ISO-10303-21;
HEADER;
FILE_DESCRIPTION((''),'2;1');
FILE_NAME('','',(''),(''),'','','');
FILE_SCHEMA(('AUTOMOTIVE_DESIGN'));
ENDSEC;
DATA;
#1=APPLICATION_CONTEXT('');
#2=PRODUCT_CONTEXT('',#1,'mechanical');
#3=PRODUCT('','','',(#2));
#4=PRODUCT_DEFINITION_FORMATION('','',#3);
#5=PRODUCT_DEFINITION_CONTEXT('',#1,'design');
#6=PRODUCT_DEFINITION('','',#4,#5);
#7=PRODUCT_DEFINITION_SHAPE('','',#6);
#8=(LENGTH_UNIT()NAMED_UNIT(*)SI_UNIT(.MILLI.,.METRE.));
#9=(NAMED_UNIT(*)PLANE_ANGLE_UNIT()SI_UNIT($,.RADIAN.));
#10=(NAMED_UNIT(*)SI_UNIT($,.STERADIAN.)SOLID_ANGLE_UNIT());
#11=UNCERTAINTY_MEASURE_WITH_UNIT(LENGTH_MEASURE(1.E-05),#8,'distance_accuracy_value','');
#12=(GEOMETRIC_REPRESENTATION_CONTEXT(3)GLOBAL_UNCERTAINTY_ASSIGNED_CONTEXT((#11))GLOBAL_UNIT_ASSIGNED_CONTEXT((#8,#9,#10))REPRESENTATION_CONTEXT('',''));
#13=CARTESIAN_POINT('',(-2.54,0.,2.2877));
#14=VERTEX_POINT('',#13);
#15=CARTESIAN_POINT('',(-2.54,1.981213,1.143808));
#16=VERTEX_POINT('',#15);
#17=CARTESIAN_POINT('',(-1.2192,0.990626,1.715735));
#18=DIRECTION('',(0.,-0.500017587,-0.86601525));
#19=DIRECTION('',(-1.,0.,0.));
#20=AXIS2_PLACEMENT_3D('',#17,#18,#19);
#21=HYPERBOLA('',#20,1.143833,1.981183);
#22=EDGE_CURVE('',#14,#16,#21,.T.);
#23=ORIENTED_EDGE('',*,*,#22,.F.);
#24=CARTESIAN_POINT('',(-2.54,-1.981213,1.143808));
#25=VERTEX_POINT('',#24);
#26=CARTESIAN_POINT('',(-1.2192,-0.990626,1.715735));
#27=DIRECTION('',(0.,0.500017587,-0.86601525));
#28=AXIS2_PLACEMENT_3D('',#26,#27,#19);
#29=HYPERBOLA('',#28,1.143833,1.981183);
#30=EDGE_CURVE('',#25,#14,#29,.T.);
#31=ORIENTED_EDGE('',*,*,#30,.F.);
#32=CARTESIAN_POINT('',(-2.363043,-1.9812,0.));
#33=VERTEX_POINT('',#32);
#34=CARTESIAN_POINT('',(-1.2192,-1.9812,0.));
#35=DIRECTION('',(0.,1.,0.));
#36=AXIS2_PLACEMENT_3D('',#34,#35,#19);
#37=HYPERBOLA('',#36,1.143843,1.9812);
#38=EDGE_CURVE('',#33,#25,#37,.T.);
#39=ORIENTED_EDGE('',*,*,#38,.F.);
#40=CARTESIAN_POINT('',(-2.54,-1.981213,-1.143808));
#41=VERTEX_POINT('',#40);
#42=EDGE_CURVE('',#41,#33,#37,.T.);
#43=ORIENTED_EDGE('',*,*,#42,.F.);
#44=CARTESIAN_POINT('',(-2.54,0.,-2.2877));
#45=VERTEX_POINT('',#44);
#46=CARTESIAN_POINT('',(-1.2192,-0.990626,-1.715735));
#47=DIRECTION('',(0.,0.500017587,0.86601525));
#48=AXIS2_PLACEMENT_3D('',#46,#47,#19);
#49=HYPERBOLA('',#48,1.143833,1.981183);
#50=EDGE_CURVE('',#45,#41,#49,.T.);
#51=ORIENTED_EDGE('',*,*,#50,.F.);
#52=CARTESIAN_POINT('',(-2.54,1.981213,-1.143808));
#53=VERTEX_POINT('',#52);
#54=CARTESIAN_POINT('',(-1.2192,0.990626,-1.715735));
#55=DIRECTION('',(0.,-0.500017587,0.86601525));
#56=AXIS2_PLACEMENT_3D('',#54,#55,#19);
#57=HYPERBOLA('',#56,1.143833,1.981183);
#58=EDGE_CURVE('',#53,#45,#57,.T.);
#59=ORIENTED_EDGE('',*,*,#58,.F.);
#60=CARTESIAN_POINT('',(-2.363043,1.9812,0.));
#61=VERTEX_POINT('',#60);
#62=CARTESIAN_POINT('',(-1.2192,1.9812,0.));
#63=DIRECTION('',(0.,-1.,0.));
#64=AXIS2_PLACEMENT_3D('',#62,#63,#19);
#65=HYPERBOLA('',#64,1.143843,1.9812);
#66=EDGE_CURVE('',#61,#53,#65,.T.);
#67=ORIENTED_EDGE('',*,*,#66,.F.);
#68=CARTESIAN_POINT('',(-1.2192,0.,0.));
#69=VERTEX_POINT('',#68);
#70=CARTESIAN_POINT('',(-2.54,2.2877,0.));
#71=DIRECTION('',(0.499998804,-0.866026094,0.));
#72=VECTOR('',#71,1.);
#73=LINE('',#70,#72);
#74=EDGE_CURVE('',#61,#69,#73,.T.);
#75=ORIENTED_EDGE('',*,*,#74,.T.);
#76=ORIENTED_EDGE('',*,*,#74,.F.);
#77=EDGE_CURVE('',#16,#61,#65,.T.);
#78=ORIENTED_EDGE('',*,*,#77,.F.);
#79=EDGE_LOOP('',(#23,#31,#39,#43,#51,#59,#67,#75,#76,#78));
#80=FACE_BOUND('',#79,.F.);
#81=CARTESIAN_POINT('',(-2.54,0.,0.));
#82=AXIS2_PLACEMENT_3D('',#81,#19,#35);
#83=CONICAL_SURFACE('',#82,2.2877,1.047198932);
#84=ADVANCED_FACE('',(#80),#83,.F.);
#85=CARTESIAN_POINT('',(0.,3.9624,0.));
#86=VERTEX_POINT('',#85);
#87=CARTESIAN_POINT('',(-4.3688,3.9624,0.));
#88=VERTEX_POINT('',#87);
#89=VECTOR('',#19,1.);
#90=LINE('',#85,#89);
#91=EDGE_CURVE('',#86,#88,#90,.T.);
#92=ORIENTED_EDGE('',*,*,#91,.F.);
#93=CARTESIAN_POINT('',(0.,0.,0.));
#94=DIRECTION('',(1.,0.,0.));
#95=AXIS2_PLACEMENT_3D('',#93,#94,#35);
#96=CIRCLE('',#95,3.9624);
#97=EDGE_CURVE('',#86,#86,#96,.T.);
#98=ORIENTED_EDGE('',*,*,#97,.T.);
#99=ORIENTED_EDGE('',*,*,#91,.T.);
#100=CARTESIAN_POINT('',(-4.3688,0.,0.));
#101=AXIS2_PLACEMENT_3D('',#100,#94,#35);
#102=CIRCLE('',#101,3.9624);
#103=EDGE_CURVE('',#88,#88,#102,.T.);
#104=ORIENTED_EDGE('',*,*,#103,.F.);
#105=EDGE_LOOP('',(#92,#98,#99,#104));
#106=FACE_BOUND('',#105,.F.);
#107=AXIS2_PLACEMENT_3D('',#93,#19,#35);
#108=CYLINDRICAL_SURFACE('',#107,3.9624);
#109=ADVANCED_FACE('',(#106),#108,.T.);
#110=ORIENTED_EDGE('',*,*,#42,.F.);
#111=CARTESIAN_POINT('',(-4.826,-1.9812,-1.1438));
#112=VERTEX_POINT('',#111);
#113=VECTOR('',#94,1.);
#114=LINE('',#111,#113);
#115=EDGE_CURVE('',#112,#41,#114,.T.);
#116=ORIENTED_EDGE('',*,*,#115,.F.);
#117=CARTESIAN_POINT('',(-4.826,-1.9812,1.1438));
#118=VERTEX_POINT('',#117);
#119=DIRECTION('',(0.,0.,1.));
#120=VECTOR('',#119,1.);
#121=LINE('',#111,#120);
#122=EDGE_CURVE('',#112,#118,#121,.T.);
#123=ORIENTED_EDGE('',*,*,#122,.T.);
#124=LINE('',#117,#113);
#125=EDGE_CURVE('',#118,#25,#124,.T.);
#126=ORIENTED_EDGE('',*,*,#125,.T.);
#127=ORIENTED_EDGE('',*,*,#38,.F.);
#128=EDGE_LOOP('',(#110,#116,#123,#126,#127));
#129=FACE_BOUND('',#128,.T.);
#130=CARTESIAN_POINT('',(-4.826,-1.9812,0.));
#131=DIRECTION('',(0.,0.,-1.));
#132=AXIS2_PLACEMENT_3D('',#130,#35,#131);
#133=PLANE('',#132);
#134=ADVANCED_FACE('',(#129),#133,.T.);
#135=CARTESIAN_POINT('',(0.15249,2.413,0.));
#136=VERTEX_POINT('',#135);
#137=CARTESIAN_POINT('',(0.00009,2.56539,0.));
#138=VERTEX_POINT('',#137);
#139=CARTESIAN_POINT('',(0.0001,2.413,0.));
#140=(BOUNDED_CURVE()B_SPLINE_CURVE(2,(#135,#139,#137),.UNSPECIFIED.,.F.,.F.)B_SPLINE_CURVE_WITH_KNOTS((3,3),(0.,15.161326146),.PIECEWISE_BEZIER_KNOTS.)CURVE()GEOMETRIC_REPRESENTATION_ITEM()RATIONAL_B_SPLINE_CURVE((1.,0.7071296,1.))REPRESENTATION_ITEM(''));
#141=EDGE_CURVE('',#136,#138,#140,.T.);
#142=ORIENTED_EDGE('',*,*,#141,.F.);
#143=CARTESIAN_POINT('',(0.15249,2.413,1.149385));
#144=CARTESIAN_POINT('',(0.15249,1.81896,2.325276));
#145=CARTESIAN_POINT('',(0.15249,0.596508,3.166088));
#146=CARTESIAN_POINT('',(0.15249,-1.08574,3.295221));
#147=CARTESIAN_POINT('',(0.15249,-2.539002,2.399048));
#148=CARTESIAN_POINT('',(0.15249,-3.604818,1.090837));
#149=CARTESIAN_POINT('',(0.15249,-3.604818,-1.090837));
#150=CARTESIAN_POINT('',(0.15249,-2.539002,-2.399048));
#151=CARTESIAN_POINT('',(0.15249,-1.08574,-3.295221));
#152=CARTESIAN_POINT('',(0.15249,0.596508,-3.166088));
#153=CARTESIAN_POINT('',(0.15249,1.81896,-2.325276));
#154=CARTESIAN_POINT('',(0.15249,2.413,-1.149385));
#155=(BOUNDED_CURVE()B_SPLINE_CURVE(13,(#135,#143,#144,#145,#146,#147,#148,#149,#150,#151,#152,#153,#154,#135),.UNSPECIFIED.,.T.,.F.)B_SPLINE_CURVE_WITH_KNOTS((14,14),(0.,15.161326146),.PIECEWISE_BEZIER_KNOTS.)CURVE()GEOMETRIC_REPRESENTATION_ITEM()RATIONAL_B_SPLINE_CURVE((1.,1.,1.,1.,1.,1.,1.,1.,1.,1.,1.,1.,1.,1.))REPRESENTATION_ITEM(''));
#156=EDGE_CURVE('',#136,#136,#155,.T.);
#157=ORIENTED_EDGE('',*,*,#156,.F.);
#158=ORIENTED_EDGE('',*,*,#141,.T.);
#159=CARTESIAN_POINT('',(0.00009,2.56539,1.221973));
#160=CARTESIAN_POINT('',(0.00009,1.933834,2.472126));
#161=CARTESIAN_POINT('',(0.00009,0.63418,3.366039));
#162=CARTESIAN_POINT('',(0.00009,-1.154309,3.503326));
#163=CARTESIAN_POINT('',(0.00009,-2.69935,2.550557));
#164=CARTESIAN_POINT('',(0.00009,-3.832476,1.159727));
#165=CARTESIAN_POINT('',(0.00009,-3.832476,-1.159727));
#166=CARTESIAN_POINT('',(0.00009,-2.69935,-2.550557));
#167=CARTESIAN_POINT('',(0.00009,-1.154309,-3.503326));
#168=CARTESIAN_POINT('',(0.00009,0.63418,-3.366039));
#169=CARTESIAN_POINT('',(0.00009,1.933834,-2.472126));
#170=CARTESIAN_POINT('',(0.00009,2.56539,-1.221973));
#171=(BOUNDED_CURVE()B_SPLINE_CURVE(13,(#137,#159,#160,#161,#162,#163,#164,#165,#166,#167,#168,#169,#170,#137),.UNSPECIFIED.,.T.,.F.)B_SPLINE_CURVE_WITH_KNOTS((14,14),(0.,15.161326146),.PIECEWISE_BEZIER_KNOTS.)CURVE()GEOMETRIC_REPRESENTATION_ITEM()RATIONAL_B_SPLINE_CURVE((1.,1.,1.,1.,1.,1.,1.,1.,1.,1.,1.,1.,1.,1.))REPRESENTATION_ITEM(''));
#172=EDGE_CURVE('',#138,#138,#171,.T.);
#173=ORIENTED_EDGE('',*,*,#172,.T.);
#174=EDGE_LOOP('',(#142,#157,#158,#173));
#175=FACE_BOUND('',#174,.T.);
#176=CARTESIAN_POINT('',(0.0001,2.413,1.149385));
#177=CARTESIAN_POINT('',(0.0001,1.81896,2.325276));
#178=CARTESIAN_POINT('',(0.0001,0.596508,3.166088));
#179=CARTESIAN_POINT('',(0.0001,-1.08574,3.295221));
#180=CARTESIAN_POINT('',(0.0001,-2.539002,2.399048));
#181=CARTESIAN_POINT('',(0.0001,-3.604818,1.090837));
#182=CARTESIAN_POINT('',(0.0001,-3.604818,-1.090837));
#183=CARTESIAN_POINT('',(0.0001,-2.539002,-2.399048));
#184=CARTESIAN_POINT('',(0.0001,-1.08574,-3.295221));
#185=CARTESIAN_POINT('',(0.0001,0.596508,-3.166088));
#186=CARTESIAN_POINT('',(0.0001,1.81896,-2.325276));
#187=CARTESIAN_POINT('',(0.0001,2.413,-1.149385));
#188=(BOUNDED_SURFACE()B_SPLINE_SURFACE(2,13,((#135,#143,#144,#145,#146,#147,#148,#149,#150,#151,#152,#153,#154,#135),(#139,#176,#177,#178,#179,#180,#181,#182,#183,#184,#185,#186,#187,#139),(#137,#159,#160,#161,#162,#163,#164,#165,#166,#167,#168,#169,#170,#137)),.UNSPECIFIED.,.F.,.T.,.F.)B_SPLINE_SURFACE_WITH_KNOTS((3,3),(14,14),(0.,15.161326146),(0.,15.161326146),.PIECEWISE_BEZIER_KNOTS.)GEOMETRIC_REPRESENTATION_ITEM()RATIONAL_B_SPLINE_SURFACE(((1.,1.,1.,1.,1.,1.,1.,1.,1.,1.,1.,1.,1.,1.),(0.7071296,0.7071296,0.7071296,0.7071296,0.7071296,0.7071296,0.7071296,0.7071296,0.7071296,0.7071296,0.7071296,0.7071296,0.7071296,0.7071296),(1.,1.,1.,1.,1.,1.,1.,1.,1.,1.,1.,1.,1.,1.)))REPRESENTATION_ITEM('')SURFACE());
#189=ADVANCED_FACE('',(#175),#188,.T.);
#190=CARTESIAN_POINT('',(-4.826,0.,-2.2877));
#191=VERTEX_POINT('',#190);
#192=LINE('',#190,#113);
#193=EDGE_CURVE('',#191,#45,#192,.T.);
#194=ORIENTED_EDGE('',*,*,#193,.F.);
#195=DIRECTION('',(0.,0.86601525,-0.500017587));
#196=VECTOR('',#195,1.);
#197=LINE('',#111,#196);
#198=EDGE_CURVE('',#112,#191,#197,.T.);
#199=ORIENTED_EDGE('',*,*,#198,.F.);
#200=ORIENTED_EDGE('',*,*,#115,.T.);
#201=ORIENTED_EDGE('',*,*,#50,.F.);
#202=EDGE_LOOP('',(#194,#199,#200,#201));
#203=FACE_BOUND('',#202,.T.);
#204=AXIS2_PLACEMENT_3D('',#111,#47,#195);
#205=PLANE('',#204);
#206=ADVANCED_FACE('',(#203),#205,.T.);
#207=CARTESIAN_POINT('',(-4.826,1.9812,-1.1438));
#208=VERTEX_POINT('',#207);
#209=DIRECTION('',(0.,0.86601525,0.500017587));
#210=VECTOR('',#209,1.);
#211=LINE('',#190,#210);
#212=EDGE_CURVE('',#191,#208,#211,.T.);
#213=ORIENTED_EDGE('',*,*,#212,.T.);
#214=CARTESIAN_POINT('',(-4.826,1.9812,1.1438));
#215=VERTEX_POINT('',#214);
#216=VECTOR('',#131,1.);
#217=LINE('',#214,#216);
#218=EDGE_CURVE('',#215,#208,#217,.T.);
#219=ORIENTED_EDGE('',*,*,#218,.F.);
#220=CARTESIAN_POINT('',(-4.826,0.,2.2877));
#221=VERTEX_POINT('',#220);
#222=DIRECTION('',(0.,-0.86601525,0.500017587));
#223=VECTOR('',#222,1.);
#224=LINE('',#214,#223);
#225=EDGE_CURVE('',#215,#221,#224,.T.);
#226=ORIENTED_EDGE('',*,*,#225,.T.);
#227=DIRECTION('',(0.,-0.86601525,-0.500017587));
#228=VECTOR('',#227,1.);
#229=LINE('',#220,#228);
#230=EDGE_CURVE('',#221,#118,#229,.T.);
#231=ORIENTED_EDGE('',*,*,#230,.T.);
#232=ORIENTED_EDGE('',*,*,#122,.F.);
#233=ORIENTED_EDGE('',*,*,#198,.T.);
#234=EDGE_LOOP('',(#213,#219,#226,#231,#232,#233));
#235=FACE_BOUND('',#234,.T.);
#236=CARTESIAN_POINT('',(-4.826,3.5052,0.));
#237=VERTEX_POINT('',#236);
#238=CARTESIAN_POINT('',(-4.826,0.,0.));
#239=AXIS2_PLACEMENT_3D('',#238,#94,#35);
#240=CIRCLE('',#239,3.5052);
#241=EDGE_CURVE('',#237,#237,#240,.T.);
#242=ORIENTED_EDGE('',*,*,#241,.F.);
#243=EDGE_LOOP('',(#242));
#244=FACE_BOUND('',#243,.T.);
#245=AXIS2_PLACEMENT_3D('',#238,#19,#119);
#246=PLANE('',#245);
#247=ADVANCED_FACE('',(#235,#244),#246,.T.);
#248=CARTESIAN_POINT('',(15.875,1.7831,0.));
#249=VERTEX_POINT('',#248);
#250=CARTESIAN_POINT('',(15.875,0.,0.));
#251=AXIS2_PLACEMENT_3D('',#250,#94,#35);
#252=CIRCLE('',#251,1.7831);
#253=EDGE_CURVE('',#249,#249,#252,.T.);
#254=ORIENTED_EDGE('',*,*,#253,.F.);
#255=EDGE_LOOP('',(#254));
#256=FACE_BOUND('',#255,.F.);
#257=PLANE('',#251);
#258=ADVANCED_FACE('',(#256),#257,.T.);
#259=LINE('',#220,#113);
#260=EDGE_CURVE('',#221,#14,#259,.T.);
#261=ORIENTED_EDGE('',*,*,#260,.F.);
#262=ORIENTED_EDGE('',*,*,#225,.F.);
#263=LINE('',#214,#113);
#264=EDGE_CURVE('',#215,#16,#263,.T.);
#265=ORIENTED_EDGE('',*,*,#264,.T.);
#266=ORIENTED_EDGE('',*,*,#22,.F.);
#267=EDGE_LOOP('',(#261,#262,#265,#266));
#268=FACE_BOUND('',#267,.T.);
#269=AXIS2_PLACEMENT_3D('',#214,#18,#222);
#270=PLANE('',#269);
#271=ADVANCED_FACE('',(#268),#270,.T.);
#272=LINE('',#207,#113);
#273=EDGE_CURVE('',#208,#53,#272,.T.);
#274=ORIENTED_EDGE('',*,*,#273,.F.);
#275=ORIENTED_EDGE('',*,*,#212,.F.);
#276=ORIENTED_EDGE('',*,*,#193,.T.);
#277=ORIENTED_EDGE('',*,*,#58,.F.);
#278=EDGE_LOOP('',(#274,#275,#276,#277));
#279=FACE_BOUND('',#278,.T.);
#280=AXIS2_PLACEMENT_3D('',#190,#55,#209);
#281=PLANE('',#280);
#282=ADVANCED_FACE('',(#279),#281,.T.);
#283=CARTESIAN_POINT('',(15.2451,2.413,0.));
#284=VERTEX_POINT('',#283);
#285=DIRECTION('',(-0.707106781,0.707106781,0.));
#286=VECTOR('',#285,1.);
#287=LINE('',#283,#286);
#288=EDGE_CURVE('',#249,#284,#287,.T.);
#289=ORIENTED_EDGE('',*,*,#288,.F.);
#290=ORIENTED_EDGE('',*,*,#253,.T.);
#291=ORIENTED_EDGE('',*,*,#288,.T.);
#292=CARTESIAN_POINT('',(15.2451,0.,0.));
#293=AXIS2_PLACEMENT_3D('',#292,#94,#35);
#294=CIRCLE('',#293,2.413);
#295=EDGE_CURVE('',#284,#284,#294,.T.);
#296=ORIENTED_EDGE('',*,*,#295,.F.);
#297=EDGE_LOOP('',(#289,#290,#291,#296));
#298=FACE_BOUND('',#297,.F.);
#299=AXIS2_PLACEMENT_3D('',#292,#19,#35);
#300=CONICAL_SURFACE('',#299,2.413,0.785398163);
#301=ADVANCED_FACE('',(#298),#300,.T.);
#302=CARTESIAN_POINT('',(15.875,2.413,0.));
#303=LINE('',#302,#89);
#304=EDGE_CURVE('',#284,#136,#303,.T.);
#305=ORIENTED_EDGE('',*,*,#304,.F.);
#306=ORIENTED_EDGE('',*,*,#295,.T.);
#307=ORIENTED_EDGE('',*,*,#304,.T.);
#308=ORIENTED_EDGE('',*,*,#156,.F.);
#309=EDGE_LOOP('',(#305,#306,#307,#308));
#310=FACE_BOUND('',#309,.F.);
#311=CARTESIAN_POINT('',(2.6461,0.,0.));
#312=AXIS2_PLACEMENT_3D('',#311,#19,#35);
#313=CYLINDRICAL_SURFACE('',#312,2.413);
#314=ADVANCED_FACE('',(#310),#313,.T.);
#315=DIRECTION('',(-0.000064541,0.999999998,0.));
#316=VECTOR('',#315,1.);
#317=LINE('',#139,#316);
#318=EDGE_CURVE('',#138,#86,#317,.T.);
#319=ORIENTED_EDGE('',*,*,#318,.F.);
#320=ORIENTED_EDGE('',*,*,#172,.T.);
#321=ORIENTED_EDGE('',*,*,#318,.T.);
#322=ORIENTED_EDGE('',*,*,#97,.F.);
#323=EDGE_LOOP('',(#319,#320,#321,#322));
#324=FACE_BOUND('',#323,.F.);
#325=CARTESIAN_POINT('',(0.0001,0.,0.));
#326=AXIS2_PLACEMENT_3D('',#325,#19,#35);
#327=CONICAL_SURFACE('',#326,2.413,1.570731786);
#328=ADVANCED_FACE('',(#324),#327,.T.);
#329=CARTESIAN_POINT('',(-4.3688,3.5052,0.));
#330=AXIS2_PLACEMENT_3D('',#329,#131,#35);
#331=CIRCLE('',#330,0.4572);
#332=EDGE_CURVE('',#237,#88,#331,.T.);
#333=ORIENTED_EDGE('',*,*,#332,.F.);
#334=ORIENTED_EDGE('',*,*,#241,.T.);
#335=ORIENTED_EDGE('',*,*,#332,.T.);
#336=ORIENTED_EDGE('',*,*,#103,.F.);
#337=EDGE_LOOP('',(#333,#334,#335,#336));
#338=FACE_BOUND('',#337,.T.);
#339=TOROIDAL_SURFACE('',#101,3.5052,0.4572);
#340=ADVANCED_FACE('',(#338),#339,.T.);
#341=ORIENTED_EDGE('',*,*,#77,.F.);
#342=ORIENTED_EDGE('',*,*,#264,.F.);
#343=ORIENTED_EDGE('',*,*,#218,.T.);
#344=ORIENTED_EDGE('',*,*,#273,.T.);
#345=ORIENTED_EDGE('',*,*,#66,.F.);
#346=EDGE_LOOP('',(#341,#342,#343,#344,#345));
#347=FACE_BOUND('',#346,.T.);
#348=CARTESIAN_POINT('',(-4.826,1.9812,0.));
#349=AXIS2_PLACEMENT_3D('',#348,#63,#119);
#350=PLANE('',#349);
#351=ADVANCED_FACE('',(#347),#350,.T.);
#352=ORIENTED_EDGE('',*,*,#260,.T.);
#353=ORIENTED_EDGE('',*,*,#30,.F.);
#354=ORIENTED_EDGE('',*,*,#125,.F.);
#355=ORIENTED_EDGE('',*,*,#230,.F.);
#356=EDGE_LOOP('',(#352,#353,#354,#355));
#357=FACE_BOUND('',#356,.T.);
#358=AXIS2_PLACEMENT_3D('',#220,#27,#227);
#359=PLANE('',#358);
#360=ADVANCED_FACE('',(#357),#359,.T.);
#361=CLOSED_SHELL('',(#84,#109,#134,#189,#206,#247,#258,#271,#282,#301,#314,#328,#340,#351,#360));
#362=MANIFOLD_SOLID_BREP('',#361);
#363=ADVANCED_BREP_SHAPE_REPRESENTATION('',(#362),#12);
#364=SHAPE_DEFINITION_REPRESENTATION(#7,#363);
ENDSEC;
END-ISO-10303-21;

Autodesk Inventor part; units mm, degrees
ref_plane "YZ Plane" through (0, 0, 0) normal (1, 0, 0) x (0, 1, 0)
ref_plane "XZ Plane" through (0, 0, 0) normal (0, 1, 0) x (-1, 0, 0)
sketch "Sketch1" plane through (0, 0, 0) normal (0, 0, 1) x (1, 0, 0)
  line L0 (-1.2192, 0) -> (15.875, 0)
  line L1 (15.875, 0) -> (15.875, 2.413)
  line L2 (15.875, 2.413) -> (2.6461, 2.413)
  line L3 (2.6461, 2.413) -> (0.0001, 2.413)
  line L4 (0.0001, 2.413) -> (0, 2.413)
  line L5 (0, 2.413) -> (0, 3.9624)
  line L6 (0, 3.9624) -> (-4.826, 3.9624)
  line L7 (-4.826, 3.9624) -> (-4.826, 2.2877)
  line L8 (-4.826, 2.2877) -> (-2.54, 2.2877)
  line L9 (-2.54, 2.2877) -> (-1.2192, 0)
  line L10 (-8.9662, 0) -> (20.0152, 0) projected
  line L11 (0, -0.7925) -> (0, 4.7549) projected
  line L12 (2.6461, 2.413) -> (0, 2.413) construction
  dimension "d1" = 13.2289
  dimension "d2" = 2.646
  dimension "d3" = 4.826
  dimension "d4" = 2.286
  dimension "d5" = 60
  dimension "d6" = 4.826
  dimension "d7" = 4.826
  dimension "d8" = 4.5754
  dimension "d9" = 7.9248
  dimension "d26" = 15.875
revolve "Body" add sketch "Sketch1" angle 360 about axis through (-1.2192, 0, 0) along (1, 0, 0)
sketch "Sketch2" plane through (-4.826, 0, 0) normal (-1, 0, 0) x (0, 0, 1)
  circle A0 centre (0, 0) radius 2.2877 projected
  line L0 (0, -5.5474) -> (0, 5.5474) projected
  line L1 (-5.5474, 0) -> (5.5474, 0) projected
  line L2 (2.2877, 0) -> (1.1438, -1.9812)
  line L3 (1.1438, -1.9812) -> (-1.1438, -1.9812)
  line L4 (-1.1438, -1.9812) -> (-2.2877, 0)
  line L5 (-2.2877, 0) -> (-1.1438, 1.9812)
  line L6 (-1.1438, 1.9812) -> (1.1438, 1.9812)
  line L7 (1.1438, 1.9812) -> (2.2877, 0)
extrude "Slot" add sketch "Sketch2" against normal up to next contours L7 A0 | A0 L2 | L6 L0 A0 | A0 L0 L3 | L0 L6 A0 | A0 L3 L0 | L4 A0 | A0 L5
fillet "Fillet1" radius 0.4572 1 edges at (-4.826, -3.9624, 0)
thread "Thread" size "10-24 UNC" class "2A" standard "ANSI Unified Screw Threads" length 13.2289
chamfer "Chamfer1" distance 0.6299 distance2 0.6299 1 edges at (15.875, -2.413, 0) measured on face at (15.875, -1.2173, -0.6389)
ref_plane "Work Plane1" through (29, 0, 0) normal (0, -1, 0) x (1, 0, 0)
fillet "Fillet2" radius 0.1524 1 edges at (0.0001, -2.413, 0)
equation "\"d30\" = R"
equation "\"d17\" = RR"
equation "\"d13\" = GEL"
equation "\"d15\" = -0.5 * SPD + 0.5 * GD"
equation "\"d16\" = GUL"
equation "\"d1\" = GEL"
equation "\"d3\" = KOH"
equation "\"d4\" = INTI"
equation "\"d6\" = GD"
equation "\"d7\" = BDM"
equation "\"d8\" = 1.1547 * SW"
equation "\"d9\" = KOD"
equation "\"d26\" = NLG"
equation "\"GD\" = 4.826"
equation "\"NLG\" = 15.875"
equation "\"GEL\" = 13.22888"
equation "\"KOD\" = 7.9248"
equation "\"KOH\" = 4.826"
equation "\"INTI\" = 2.286"
equation "\"GAL\" = 2.64592"
equation "\"GUL\" = 0.62992"
equation "\"BDM\" = 4.826"
equation "\"SW\" = 3.9624"
equation "\"RR\" = 0.4572"
equation "\"SPD\" = 3.56616"
equation "\"R\" = 0.1524"
equation "\"PHH\" = 0.127"
equation "\"GD1\" = SPD"
equation "\"THREADDIA\" = 4.826"
equation "\"FAWI\" = 45deg"
equation "\"KOH1\" = 4.3434"
equation "\"NND\" = 4.826"
equation "\"TOA\" = 30deg"
equation "\"E0\" = 1.155 * SW"
properties part number "am-1120" material "Steel, Mild"
